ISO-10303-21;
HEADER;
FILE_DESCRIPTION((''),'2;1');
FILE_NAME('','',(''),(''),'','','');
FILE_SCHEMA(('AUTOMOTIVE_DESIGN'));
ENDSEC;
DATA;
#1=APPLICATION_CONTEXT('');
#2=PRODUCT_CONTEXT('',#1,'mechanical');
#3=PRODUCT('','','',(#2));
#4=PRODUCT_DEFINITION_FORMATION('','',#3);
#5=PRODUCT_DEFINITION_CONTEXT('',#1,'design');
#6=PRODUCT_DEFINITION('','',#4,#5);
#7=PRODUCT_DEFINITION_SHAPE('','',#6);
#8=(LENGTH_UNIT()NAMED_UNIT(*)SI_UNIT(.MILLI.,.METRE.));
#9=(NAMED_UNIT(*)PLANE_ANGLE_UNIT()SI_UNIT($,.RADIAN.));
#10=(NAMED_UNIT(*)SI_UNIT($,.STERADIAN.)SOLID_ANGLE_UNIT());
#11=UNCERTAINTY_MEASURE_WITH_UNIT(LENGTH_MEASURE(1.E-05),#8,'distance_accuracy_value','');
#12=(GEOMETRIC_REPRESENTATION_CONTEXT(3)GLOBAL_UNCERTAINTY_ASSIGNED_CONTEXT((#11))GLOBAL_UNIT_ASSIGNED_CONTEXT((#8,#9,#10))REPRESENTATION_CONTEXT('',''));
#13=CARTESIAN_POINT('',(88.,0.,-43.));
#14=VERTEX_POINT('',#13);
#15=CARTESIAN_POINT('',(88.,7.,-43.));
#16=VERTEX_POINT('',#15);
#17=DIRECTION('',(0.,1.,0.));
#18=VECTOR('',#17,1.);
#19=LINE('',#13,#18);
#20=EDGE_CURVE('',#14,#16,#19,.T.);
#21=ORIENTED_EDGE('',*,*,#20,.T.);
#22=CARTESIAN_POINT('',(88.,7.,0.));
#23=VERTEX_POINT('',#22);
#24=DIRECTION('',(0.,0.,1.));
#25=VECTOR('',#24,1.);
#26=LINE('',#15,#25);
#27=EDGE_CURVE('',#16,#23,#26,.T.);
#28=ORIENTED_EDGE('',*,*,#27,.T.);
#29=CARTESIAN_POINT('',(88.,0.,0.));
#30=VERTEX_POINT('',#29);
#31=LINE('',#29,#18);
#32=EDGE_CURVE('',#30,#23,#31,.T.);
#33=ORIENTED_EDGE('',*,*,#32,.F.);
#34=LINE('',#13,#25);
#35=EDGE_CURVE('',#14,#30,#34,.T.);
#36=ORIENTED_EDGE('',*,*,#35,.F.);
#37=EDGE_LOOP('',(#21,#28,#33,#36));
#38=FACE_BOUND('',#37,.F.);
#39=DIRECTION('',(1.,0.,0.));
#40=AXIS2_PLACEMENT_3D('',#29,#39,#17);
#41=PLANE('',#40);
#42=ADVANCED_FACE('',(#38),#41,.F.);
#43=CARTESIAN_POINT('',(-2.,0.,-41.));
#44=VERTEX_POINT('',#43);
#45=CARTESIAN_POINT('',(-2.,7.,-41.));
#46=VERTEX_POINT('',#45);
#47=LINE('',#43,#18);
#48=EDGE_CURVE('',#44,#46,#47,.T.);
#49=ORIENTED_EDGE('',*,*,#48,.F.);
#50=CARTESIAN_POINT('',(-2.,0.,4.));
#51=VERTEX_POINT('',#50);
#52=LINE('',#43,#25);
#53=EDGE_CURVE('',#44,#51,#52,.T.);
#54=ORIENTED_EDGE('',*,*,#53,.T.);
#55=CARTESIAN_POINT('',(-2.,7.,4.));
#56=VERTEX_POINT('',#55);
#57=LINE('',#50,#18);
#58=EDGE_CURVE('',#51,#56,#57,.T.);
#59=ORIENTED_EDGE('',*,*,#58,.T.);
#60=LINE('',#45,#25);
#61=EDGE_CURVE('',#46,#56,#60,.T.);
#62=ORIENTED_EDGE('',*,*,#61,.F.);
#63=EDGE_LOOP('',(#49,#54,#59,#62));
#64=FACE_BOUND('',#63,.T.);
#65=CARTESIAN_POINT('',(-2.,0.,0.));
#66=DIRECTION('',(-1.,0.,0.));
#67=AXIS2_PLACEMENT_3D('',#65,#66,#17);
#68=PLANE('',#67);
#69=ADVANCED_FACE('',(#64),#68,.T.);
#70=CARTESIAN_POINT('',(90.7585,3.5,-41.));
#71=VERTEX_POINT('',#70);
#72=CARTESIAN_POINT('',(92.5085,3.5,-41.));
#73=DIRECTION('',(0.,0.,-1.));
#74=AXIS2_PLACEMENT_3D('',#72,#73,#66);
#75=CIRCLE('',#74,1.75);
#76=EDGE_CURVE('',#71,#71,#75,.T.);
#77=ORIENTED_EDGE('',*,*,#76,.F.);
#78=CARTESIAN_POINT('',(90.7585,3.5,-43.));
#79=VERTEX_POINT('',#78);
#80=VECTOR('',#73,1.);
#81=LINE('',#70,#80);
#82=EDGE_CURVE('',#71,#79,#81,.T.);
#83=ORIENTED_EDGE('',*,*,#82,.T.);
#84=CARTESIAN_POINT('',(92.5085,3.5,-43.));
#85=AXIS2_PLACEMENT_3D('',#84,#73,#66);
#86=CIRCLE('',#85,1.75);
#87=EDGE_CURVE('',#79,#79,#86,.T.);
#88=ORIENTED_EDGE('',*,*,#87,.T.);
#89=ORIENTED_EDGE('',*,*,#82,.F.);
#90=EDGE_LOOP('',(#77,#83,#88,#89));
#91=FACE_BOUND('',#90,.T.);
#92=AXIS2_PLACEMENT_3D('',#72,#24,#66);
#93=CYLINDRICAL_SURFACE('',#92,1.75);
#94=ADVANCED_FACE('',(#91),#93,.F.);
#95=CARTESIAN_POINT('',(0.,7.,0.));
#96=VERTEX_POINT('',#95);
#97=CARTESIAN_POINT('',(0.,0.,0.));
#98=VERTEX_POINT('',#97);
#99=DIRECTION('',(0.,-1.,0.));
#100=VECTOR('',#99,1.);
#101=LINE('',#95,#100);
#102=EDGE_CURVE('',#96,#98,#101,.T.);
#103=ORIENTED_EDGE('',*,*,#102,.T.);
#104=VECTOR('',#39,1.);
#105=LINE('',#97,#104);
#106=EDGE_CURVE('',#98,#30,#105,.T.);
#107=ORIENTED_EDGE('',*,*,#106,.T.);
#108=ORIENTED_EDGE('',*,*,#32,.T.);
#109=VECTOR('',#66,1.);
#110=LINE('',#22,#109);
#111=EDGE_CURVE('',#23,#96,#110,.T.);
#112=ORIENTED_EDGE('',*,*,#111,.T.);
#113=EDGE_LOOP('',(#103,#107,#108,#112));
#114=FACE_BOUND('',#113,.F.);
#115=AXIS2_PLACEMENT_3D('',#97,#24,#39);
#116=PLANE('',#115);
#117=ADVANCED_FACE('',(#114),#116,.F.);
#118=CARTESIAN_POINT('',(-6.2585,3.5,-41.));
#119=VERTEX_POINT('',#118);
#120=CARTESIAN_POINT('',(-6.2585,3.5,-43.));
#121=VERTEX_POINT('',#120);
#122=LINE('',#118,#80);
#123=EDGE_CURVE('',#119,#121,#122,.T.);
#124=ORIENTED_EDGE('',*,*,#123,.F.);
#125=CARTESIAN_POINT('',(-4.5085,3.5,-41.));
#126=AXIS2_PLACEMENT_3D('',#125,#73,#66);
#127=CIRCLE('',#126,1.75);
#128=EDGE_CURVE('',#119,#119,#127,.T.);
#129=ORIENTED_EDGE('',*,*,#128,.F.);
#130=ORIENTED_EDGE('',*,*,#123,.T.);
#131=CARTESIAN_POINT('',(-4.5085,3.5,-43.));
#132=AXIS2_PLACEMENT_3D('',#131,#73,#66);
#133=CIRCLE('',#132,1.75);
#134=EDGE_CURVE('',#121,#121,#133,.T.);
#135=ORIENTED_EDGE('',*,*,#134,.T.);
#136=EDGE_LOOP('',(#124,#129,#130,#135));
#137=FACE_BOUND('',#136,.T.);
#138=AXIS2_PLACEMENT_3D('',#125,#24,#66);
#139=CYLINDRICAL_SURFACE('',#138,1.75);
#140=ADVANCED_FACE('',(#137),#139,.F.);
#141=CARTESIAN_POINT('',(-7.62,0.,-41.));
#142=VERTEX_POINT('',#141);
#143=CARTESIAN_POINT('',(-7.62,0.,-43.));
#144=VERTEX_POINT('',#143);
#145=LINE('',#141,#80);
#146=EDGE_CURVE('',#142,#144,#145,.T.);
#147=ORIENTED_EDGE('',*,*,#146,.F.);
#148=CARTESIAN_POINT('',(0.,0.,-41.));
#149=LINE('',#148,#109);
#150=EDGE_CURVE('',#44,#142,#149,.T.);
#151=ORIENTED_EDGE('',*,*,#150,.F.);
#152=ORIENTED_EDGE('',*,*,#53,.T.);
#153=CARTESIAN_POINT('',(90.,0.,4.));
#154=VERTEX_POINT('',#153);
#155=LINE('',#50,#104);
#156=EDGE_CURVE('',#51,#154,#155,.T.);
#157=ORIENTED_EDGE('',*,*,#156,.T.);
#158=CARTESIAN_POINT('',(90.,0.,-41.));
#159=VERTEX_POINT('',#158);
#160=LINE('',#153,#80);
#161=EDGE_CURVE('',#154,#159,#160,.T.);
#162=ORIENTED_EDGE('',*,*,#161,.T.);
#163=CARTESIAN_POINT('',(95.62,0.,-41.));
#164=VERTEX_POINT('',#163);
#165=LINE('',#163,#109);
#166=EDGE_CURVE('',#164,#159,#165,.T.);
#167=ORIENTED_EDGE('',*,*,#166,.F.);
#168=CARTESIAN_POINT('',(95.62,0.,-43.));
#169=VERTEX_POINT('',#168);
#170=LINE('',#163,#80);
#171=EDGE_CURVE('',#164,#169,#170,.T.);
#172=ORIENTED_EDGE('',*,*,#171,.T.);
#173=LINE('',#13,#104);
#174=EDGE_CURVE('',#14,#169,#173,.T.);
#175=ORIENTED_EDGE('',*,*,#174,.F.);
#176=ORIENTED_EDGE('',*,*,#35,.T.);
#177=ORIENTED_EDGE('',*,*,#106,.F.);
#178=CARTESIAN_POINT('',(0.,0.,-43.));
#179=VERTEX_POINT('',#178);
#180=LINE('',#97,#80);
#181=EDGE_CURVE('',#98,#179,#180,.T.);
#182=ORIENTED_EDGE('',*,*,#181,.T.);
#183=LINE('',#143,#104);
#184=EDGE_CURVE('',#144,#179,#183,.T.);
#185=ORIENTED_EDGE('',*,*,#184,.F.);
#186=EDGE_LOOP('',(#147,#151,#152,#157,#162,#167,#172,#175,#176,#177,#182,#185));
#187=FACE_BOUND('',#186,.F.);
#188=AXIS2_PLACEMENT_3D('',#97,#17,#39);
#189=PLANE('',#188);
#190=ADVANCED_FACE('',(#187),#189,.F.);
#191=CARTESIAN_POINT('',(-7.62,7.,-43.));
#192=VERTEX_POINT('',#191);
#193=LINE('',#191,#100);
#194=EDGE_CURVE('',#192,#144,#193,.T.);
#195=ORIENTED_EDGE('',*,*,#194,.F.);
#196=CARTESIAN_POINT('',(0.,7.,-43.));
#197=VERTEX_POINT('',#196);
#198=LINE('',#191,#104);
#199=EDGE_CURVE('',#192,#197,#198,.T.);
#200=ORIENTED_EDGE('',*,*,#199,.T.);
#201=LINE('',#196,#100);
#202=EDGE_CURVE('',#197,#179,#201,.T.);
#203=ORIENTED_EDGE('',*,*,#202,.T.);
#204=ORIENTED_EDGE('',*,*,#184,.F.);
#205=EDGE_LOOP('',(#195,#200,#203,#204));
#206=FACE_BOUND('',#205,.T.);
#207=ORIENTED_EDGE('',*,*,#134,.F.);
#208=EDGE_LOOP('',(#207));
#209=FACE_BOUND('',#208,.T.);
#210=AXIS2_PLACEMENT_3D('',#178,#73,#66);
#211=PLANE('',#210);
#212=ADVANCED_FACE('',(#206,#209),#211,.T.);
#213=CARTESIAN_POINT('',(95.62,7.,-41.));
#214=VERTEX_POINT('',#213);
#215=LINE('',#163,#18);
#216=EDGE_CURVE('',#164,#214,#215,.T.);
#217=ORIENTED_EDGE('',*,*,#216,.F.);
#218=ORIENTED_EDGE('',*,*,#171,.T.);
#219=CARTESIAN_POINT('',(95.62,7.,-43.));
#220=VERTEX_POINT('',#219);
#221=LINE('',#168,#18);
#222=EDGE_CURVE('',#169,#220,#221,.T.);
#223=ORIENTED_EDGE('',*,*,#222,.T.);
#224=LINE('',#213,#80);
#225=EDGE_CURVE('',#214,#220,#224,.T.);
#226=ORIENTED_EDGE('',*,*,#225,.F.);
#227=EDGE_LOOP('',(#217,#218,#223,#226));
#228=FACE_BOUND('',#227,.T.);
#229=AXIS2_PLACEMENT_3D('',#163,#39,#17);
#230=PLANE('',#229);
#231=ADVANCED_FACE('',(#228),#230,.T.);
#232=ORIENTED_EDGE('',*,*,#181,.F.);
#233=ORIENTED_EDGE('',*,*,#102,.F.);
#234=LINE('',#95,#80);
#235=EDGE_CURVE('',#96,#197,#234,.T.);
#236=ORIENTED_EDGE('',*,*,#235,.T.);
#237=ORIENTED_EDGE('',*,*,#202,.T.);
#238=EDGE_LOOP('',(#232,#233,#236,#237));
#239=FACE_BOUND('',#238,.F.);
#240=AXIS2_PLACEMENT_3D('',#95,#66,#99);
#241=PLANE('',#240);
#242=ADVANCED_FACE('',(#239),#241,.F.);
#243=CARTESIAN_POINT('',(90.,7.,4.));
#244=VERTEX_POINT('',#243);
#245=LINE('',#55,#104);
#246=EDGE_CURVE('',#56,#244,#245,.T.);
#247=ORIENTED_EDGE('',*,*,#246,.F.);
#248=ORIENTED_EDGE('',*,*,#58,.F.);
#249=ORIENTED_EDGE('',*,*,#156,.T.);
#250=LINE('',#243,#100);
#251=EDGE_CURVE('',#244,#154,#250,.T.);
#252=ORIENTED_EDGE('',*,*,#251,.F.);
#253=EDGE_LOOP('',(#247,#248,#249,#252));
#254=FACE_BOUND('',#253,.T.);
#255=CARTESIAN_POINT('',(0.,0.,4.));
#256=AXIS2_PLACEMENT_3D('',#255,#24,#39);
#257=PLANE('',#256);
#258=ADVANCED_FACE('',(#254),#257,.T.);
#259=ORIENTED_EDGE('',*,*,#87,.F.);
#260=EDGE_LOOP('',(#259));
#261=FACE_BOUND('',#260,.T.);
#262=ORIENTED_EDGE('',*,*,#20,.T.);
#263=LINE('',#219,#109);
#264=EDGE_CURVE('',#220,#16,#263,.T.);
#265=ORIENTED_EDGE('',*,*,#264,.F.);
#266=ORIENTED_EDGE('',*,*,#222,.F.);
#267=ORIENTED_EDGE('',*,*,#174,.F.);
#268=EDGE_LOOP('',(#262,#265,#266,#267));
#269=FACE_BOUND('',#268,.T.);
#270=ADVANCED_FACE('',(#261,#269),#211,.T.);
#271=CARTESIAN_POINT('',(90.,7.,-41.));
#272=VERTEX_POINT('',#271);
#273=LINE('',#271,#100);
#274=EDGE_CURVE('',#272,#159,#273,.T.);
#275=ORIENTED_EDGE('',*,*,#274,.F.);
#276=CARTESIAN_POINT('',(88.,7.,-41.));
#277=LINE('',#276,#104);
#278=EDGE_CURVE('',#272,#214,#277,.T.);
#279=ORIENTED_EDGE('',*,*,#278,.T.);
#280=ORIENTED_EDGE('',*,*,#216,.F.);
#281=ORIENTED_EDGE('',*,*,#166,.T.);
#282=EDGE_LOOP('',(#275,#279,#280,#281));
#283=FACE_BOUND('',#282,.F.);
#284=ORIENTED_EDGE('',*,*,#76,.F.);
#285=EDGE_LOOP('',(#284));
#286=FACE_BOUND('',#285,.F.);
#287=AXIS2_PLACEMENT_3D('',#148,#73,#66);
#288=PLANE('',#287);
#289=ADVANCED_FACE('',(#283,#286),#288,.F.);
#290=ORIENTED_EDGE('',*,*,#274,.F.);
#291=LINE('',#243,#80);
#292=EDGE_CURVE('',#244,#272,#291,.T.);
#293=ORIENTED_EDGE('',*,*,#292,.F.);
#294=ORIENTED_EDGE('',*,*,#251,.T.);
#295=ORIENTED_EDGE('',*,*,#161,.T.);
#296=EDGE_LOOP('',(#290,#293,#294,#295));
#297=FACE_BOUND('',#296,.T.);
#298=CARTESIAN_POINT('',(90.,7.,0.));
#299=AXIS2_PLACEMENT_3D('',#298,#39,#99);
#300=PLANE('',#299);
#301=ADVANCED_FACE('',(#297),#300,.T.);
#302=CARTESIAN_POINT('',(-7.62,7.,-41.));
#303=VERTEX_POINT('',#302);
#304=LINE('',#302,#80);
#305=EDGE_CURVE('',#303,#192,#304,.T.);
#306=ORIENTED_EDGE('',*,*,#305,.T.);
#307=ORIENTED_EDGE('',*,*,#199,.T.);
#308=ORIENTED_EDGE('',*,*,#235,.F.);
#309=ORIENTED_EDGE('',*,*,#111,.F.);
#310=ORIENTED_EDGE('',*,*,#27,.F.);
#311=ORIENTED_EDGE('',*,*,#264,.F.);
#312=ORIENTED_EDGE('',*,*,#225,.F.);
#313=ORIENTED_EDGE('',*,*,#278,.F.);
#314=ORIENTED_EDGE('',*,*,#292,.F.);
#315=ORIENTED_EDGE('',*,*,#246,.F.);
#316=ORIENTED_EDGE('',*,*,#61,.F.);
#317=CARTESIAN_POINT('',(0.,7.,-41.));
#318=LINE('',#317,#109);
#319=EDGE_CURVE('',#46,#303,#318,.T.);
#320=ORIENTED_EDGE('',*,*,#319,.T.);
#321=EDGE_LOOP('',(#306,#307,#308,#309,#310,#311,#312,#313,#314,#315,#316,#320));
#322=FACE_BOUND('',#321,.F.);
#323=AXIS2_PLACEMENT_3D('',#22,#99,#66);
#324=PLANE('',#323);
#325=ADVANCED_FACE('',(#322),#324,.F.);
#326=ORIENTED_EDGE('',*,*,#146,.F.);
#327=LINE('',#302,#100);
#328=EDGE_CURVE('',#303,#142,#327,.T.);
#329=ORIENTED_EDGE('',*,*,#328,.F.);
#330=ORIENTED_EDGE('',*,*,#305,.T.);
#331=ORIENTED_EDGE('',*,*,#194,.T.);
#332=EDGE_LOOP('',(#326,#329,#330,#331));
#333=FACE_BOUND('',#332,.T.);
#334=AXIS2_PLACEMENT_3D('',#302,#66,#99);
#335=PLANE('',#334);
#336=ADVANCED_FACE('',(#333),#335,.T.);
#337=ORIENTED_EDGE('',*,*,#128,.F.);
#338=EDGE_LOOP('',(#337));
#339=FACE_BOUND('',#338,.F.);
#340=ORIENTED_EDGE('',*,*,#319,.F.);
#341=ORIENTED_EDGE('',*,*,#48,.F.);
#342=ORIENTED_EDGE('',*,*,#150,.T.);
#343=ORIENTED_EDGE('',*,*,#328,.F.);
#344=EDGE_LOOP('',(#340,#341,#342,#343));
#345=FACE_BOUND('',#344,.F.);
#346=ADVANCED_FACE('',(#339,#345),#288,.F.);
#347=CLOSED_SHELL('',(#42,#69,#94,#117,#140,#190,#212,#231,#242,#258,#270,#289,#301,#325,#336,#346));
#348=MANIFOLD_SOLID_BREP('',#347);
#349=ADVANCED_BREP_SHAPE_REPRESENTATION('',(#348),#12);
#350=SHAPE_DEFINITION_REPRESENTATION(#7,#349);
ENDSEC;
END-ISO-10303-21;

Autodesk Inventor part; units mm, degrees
ref_plane "YZ Plane" through (0, 0, 0) normal (1, 0, 0) x (0, 1, 0)
ref_plane "XZ Plane" through (0, 0, 0) normal (0, 1, 0) x (-1, 0, 0)
ref_plane "XY Plane" through (0, 0, 0) normal (0, 0, 1) x (1, 0, 0)
sketch "Sketch1" plane through (0, 0, 0) normal (0, 0, 1) x (1, 0, 0)
  line L0 (0, 0) -> (88, 0)
  line L1 (88, 0) -> (88, 7)
  line L2 (88, 7) -> (0, 7)
  line L3 (0, 7) -> (0, 0)
  dimension "d0" = 88
  dimension "d1" = 7
extrude "Extrusion1" add sketch "Sketch1" along normal blind 4
sketch "Sketch2" plane through (0, 0, 0) normal (0, 0, -1) x (-1, 0, 0)
  line L0 (0, 0) -> (-88, 0) projected
  line L1 (0, 7) -> (0, 0) projected
  line L2 (-88, 7) -> (0, 7) projected
  line L3 (-88, 0) -> (-88, 7) projected
  line L4 (0, 0) -> (2, 0)
  line L5 (2, 0) -> (2, 7)
  line L6 (2, 7) -> (0, 7)
  line L7 (0, 7) -> (0, 0)
  line L8 (-88, 7) -> (-90, 7)
  line L9 (-90, 7) -> (-90, 0)
  line L10 (-90, 0) -> (-88, 0)
  line L11 (-88, 0) -> (-88, 7)
  dimension "d4" = 2
  dimension "d5" = 2
extrude "Extrusion2" add sketch "Sketch2" along normal blind 41 contours L1 L6 L5 L4 | L10 L9 L8 L3
extrude "Extrusion3" add sketch "Sketch2" against normal blind 4 contours L1 L6 L5 L4 | L10 L9 L8 L3
sketch "Sketch3" plane through (0, 0, -41) normal (0, 0, -1) x (-1, 0, 0)
  line L0 (-88, 7) -> (-90, 7) projected
  line L1 (-90, 7) -> (-90, 0) projected
  line L2 (-90, 0) -> (-88, 0) projected
  line L3 (-88, 0) -> (-88, 7) projected
  line L4 (2, 0) -> (2, 7) projected
  line L5 (0, 0) -> (2, 0) projected
  line L6 (2, 0) -> (2, 7) projected
  line L7 (2, 7) -> (0, 7) projected
  line L8 (0, 7) -> (0, 0) projected
  line L9 (-88, 0) -> (-95.62, 0)
  line L10 (-95.62, 0) -> (-95.62, 7)
  line L11 (-95.62, 7) -> (-88, 7)
  line L12 (-88, 7) -> (-88, 0)
  circle A0 centre (-92.5085, 3.5) radius 1.75
  line L13 (0, 7) -> (7.62, 7)
  line L14 (7.62, 7) -> (7.62, 0)
  line L15 (7.62, 0) -> (0, 0)
  line L16 (0, 0) -> (0, 7)
  circle A1 centre (4.5085, 3.5) radius 1.75
  dimension "d10" = 3.5
  dimension "d12" = 3.5
  dimension "d17" = 7.62
  dimension "d18" = 7.62
  dimension "d21" = 97.017
extrude "Extrusion4" add sketch "Sketch3" along normal blind 2
